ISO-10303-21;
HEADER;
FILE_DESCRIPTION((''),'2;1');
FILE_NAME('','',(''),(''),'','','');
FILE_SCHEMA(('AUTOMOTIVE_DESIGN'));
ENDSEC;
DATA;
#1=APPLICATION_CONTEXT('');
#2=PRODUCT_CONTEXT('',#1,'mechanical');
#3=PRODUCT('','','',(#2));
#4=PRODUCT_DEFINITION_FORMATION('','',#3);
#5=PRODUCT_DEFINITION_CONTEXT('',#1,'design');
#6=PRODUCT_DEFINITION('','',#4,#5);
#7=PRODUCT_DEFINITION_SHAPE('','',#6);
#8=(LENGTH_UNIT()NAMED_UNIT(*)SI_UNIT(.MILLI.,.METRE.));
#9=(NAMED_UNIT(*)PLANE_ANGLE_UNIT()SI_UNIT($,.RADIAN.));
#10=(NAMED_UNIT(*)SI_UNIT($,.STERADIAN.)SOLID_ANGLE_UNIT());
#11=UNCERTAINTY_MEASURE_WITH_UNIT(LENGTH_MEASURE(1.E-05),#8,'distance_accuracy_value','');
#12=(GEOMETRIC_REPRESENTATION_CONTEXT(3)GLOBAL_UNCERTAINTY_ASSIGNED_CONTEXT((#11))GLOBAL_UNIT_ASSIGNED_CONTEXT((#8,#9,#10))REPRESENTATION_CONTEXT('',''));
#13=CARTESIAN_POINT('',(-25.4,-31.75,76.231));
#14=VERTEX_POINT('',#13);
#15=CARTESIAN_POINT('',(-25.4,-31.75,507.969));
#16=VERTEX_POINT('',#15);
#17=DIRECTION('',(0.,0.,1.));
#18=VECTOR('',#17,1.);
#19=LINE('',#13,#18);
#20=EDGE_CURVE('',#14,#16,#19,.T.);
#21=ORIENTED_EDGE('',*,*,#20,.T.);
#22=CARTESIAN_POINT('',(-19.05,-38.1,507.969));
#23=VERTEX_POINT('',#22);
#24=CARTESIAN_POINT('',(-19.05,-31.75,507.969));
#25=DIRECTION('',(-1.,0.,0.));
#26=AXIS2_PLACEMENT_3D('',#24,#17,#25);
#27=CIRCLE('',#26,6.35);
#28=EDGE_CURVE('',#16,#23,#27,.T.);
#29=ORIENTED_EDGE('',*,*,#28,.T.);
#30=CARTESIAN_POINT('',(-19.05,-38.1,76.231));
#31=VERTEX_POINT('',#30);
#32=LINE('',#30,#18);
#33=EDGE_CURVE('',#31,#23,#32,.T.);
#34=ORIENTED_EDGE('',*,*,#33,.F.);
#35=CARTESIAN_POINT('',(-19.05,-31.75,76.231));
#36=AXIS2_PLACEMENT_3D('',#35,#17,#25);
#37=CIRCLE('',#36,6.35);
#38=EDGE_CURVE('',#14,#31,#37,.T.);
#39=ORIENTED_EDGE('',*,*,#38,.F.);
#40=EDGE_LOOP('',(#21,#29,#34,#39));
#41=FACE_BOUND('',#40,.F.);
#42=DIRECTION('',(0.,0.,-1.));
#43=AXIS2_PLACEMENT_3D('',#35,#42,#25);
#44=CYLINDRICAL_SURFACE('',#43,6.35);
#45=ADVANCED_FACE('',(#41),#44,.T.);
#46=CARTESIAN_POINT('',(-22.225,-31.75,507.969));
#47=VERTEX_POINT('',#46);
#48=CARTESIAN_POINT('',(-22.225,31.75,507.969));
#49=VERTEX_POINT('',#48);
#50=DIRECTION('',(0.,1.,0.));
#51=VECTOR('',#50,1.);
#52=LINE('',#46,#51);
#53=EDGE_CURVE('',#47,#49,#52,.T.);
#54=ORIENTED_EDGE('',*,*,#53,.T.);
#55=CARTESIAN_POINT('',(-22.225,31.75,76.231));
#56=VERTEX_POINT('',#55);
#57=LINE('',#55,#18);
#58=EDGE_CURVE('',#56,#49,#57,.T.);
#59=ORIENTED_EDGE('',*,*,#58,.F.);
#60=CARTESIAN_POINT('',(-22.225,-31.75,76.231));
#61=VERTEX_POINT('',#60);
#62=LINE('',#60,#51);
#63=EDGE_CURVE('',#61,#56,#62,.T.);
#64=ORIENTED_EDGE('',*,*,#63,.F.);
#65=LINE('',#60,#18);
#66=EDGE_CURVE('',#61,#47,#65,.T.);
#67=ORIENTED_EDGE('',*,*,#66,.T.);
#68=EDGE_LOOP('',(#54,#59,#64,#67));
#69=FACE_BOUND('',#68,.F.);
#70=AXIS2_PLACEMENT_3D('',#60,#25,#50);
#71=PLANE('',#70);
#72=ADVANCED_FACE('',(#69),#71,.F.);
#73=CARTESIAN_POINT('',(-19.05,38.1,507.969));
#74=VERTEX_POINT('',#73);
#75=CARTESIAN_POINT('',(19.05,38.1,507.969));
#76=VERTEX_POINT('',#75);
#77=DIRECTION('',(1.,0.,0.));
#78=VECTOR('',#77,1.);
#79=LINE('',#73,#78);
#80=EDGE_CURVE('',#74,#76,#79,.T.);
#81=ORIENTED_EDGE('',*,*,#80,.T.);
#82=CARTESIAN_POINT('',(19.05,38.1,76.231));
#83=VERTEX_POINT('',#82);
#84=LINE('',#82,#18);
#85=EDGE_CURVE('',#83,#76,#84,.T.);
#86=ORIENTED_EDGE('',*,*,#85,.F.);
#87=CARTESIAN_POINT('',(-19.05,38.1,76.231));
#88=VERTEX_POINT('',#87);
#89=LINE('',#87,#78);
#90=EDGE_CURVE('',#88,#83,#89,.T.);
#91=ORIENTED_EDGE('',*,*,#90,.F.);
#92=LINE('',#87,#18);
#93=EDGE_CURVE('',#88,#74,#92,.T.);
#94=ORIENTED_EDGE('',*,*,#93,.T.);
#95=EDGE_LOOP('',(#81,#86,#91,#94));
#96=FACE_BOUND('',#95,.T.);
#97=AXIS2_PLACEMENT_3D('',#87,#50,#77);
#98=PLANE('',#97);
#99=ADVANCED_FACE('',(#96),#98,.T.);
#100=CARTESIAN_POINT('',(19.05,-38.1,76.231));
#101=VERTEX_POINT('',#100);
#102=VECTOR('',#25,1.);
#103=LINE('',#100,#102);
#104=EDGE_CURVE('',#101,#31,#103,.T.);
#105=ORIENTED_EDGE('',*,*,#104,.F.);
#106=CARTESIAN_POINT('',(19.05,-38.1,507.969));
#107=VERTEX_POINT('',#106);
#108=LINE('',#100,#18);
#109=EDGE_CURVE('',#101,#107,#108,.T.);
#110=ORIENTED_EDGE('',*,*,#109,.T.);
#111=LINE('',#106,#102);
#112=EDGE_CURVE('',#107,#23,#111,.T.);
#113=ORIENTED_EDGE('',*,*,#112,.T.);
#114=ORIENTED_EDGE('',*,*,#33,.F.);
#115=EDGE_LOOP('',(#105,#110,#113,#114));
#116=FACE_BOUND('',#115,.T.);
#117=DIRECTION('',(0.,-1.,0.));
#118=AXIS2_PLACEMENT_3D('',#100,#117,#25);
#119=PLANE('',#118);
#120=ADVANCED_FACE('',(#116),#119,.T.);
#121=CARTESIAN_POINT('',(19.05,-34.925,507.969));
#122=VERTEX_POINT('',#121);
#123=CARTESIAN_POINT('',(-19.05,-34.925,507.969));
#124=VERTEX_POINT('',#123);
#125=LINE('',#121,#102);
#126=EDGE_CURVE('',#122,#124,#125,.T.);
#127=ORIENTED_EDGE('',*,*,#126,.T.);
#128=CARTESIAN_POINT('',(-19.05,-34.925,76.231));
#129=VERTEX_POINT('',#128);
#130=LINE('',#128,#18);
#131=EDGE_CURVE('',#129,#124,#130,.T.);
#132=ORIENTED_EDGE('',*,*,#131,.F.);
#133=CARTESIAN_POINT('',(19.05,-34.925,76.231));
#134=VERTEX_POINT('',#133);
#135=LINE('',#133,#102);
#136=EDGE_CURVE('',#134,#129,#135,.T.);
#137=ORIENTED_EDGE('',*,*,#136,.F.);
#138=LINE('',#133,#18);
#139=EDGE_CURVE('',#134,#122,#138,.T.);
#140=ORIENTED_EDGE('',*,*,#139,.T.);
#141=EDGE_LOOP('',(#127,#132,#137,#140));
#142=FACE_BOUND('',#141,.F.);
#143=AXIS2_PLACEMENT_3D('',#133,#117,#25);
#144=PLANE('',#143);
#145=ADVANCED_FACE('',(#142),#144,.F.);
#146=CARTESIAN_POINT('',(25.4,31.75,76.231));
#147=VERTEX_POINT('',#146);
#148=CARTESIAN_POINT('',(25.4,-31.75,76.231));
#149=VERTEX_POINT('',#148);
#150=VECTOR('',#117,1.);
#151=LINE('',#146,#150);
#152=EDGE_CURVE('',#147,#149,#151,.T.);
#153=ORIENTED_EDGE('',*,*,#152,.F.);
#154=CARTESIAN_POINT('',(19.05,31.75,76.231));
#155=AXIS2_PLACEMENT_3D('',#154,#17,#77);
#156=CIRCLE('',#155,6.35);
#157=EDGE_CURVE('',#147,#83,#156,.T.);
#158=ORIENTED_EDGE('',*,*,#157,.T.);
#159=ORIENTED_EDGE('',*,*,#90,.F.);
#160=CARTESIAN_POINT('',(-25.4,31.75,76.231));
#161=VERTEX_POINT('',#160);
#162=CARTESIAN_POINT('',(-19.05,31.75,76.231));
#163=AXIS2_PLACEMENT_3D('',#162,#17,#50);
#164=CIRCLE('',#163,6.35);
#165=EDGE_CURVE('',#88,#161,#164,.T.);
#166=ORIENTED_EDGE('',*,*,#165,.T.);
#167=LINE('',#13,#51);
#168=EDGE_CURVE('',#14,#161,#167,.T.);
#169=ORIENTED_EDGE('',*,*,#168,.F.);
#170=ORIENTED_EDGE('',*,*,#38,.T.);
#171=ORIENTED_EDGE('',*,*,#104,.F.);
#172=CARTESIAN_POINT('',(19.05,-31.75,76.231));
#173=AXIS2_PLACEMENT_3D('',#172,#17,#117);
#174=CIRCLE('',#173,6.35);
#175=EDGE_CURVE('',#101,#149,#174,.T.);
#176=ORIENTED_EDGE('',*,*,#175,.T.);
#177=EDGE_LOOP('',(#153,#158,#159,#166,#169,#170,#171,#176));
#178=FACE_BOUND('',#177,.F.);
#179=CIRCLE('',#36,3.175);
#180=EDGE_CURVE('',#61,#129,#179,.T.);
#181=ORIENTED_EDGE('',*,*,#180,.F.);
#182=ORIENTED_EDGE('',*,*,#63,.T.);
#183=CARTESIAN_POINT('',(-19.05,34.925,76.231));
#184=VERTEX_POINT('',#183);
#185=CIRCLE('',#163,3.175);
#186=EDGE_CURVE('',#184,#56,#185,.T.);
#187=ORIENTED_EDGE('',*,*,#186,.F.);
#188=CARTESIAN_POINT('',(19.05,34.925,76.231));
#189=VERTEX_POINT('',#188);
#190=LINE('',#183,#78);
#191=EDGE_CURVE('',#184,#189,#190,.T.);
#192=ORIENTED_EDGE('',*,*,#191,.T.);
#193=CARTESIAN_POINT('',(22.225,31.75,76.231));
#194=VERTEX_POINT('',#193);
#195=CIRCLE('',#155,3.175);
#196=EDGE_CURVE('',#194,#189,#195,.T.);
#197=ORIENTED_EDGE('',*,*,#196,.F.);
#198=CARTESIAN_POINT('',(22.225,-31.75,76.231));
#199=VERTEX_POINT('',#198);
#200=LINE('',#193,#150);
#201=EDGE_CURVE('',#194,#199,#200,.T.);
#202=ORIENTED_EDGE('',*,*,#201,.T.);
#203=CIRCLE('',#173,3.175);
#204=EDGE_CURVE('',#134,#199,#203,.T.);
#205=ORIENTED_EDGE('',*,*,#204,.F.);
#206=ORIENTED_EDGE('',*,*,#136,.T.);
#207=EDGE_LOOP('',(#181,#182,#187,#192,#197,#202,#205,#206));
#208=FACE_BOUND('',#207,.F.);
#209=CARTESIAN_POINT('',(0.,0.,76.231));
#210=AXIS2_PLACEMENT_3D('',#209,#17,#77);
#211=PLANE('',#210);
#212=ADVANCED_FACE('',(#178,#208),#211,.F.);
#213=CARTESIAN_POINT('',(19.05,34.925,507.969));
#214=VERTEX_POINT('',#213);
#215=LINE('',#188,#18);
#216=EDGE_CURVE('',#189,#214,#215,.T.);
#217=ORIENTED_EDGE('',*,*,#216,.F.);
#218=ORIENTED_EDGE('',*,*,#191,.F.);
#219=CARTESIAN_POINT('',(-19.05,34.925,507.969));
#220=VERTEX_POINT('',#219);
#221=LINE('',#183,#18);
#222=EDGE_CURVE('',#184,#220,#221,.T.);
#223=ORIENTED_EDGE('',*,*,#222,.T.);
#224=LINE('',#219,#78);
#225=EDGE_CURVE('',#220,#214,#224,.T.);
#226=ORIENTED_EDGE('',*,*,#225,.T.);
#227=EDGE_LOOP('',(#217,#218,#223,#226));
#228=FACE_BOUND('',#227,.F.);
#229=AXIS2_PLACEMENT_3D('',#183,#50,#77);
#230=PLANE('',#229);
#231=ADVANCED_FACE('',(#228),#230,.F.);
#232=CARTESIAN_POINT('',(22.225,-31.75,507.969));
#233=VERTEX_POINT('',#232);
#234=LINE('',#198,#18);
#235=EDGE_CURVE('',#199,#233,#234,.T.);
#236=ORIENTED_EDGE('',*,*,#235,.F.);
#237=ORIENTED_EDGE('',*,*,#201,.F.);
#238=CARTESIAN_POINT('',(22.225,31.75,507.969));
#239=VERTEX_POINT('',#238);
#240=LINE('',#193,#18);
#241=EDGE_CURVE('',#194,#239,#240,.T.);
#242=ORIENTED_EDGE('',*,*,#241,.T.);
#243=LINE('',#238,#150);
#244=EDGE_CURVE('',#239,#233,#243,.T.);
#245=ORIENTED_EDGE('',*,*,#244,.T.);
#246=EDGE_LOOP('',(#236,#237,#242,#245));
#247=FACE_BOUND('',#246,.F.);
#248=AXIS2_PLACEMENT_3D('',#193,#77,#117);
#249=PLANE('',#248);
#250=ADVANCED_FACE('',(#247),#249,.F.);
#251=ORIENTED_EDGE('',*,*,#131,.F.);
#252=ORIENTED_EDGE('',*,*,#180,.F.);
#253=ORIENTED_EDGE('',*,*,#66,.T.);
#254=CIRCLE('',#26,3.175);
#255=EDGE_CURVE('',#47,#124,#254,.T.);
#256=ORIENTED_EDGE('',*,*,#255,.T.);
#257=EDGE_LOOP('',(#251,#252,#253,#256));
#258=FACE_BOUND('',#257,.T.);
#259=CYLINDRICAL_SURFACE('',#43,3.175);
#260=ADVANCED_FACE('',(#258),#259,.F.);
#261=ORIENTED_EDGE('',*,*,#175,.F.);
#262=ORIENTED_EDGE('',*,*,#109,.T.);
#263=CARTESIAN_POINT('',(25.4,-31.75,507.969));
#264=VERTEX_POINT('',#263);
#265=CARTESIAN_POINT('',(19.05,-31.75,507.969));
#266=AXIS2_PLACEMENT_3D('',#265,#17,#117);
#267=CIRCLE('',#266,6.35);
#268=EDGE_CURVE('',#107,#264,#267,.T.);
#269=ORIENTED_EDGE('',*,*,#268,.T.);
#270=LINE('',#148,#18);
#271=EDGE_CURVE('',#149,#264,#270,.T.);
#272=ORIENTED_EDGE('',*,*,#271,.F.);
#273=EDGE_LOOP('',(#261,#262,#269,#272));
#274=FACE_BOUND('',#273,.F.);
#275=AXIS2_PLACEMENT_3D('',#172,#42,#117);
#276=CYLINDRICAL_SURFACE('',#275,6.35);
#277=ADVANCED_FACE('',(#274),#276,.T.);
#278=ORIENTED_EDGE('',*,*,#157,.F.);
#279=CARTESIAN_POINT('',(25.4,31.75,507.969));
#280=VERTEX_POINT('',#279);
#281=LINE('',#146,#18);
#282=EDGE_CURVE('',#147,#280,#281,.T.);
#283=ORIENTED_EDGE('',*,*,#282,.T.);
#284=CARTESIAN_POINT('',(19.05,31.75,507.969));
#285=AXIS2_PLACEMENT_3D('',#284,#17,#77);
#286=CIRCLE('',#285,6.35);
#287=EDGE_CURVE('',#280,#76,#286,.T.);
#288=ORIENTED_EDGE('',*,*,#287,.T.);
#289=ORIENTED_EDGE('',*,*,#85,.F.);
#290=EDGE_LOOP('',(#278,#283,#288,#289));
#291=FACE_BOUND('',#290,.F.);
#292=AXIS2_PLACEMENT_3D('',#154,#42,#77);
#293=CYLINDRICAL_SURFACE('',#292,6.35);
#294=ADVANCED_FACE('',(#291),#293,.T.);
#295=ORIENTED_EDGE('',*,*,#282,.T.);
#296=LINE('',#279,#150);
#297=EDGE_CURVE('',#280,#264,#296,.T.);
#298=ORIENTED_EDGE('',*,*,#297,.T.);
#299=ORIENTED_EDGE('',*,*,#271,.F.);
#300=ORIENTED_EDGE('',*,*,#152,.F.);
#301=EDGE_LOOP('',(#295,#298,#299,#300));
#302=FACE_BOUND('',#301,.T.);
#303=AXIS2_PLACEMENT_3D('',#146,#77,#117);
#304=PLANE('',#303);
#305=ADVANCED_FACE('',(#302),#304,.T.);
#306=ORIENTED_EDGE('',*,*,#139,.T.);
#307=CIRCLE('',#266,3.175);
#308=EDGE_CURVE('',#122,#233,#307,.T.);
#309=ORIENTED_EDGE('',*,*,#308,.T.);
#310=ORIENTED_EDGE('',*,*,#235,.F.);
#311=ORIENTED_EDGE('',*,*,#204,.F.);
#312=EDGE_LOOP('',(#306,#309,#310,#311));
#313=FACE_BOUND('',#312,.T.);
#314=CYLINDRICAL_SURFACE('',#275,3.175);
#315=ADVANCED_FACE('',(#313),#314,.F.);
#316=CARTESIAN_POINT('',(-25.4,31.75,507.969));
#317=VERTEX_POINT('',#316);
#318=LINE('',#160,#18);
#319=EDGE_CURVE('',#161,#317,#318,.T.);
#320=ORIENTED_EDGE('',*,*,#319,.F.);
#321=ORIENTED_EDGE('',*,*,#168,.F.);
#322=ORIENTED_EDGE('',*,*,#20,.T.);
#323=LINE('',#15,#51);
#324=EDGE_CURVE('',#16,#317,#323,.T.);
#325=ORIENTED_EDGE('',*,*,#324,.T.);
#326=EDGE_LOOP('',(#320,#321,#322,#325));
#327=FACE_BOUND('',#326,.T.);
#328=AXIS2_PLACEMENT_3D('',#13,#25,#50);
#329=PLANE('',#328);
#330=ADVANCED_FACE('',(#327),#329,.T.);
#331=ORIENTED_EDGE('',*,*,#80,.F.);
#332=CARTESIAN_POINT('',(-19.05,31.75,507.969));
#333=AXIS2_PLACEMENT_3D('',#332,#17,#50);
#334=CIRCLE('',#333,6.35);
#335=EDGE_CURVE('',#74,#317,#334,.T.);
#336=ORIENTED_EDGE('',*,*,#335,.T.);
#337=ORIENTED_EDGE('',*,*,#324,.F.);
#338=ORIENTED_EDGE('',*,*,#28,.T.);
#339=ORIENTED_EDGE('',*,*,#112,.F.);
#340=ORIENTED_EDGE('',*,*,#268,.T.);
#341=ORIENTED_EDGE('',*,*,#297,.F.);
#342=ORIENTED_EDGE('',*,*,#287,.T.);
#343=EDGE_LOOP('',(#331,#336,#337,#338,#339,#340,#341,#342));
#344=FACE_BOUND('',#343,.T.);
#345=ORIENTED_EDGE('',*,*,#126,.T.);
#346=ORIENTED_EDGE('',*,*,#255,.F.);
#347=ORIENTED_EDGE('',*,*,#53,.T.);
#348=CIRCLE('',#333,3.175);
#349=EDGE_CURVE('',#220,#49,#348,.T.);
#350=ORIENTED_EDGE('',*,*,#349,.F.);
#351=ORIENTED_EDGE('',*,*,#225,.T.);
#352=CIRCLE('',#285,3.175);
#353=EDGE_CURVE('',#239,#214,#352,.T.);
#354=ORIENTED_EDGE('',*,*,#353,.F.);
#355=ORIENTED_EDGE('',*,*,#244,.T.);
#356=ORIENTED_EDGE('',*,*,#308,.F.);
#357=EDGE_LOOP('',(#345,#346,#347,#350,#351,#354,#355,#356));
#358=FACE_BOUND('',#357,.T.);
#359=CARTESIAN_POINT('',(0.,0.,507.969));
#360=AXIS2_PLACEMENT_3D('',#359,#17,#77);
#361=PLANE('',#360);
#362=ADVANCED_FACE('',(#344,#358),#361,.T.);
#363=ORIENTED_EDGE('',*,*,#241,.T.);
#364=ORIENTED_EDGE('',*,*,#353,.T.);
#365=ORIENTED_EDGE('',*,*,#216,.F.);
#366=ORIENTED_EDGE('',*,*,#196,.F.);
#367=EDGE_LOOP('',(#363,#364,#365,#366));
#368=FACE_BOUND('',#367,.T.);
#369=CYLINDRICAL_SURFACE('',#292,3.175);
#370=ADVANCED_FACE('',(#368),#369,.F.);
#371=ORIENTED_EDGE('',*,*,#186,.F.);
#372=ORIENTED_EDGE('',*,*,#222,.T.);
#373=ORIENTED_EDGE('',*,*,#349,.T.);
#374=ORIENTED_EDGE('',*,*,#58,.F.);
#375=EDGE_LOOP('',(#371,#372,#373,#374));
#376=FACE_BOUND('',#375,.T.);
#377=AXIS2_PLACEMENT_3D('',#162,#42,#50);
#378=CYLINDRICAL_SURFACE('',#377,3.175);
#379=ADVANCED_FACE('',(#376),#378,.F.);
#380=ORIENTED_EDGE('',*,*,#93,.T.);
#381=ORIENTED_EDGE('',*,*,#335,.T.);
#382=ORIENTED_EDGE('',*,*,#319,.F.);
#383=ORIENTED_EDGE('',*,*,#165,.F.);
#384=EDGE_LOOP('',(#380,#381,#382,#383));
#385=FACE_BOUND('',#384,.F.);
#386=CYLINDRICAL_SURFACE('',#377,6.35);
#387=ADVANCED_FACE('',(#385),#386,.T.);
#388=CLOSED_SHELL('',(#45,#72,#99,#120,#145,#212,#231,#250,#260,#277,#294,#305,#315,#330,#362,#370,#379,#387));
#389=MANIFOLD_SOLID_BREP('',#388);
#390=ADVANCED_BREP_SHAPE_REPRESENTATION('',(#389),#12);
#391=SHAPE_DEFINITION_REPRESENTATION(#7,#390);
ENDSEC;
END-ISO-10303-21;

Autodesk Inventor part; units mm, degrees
ref_plane "Start Plane" through (0, 0, 76.231) normal (0, 0, 1) x (1, 0, 0)
ref_plane "End Plane" through (0, 0, 507.969) normal (0, 0, 1) x (1, 0, 0)
sketch "Sketch" plane through (0, 0, 0) normal (0, 0, 1) x (1, 0, 0)
  line L0 (-25.4, -31.75) -> (-25.4, 31.75)
  line L1 (-19.05, 38.1) -> (19.05, 38.1)
  line L2 (25.4, 31.75) -> (25.4, -31.75)
  line L3 (19.05, -38.1) -> (-19.05, -38.1)
  arc A0 (-25.4, -31.75) -> (-19.05, -38.1) centre (-19.05, -31.75) ccw
  arc A1 (-19.05, 38.1) -> (-25.4, 31.75) centre (-19.05, 31.75) ccw
  arc A2 (25.4, 31.75) -> (19.05, 38.1) centre (19.05, 31.75) ccw
  arc A3 (19.05, -38.1) -> (25.4, -31.75) centre (19.05, -31.75) ccw
  arc A4 (-19.05, 34.925) -> (-22.225, 31.75) centre (-19.05, 31.75) ccw
  line L4 (-19.05, 34.925) -> (19.05, 34.925)
  arc A5 (22.225, 31.75) -> (19.05, 34.925) centre (19.05, 31.75) ccw
  line L5 (22.225, 31.75) -> (22.225, -31.75)
  arc A6 (19.05, -34.925) -> (22.225, -31.75) centre (19.05, -31.75) ccw
  line L6 (19.05, -34.925) -> (-19.05, -34.925)
  arc A7 (-22.225, -31.75) -> (-19.05, -34.925) centre (-19.05, -31.75) ccw
  line L7 (-22.225, -31.75) -> (-22.225, 31.75)
  line L8 (0, 55.1812) -> (0, -55.1812) construction
  line L9 (-37.4012, 0) -> (37.4012, 0) construction
  dimension "d10" = 76.2
  dimension "d11" = 50.8
  dimension "d12" = 3.175
  dimension "d15" = 38.1
  dimension "d16" = 25.4
  dimension "d17" = 6.35
extrude "Body" add sketch "Sketch" along normal up to surface (431.738 mm away) from surface at 76.231
sketch "Sketch3" plane through (0, 0, 0) normal (0, 0, 1) x (1, 0, 0)
  line L0 (0, 0) -> (10, 0)
ref_plane "Work Plane3" through (0, 0, 0) normal (0, -1, 0) x (1, 0, 0)
ref_plane "Work Plane4" through (-19.05, -673.1, 507.969) normal (0, 0, 1) x (1, 0, 0)
split "Split1" plane through (-19.05, -673.1, 507.969) removes the side toward (0, 0, 1)
ref_plane "Work Plane5" through (19.05, -673.1, 76.231) normal (0, 0, -1) x (-1, 0, 0)
split "Split2" plane through (19.05, -673.1, 76.231) removes the side toward (0, 0, -1)
sketch "Sketch4" plane through (0, 0, 0) normal (0, -1, 0) x (1, 0, 0)
  line L0 (-2, 76.231) -> (12, 76.231) projected
  line L1 (-2, 507.969) -> (12, 507.969) projected
  dimension "d19" = 431.738
equation "\"d10\" = G_H"
equation "\"d11\" = G_W"
equation "\"d12\" = G_T"
equation "\"d15\" = 0.5 * d10"
equation "\"d16\" = 0.5 * d11"
equation "\"d17\" = G_IR"
equation "\"d3\" = G_L"
equation "\"G_W\" = 50.8"
equation "\"G_H\" = 76.2"
equation "\"G_T\" = 3.175"
equation "\"G_IR\" = 6.35"
equation "\"G_L\" = d19"
equation "\"G_OFFSET_START\" = -76.231"
equation "\"G_OFFSET_END\" = -76.231"
equation "\"d13\" = -G_OFFSET_START"
equation "\"d14\" = G_OFFSET_END + B_L"
equation "\"B_L\" = 584.2"
properties part number "AISC - 3 x 2 x 1/8 - 16.998" material "Steel, Mild"
